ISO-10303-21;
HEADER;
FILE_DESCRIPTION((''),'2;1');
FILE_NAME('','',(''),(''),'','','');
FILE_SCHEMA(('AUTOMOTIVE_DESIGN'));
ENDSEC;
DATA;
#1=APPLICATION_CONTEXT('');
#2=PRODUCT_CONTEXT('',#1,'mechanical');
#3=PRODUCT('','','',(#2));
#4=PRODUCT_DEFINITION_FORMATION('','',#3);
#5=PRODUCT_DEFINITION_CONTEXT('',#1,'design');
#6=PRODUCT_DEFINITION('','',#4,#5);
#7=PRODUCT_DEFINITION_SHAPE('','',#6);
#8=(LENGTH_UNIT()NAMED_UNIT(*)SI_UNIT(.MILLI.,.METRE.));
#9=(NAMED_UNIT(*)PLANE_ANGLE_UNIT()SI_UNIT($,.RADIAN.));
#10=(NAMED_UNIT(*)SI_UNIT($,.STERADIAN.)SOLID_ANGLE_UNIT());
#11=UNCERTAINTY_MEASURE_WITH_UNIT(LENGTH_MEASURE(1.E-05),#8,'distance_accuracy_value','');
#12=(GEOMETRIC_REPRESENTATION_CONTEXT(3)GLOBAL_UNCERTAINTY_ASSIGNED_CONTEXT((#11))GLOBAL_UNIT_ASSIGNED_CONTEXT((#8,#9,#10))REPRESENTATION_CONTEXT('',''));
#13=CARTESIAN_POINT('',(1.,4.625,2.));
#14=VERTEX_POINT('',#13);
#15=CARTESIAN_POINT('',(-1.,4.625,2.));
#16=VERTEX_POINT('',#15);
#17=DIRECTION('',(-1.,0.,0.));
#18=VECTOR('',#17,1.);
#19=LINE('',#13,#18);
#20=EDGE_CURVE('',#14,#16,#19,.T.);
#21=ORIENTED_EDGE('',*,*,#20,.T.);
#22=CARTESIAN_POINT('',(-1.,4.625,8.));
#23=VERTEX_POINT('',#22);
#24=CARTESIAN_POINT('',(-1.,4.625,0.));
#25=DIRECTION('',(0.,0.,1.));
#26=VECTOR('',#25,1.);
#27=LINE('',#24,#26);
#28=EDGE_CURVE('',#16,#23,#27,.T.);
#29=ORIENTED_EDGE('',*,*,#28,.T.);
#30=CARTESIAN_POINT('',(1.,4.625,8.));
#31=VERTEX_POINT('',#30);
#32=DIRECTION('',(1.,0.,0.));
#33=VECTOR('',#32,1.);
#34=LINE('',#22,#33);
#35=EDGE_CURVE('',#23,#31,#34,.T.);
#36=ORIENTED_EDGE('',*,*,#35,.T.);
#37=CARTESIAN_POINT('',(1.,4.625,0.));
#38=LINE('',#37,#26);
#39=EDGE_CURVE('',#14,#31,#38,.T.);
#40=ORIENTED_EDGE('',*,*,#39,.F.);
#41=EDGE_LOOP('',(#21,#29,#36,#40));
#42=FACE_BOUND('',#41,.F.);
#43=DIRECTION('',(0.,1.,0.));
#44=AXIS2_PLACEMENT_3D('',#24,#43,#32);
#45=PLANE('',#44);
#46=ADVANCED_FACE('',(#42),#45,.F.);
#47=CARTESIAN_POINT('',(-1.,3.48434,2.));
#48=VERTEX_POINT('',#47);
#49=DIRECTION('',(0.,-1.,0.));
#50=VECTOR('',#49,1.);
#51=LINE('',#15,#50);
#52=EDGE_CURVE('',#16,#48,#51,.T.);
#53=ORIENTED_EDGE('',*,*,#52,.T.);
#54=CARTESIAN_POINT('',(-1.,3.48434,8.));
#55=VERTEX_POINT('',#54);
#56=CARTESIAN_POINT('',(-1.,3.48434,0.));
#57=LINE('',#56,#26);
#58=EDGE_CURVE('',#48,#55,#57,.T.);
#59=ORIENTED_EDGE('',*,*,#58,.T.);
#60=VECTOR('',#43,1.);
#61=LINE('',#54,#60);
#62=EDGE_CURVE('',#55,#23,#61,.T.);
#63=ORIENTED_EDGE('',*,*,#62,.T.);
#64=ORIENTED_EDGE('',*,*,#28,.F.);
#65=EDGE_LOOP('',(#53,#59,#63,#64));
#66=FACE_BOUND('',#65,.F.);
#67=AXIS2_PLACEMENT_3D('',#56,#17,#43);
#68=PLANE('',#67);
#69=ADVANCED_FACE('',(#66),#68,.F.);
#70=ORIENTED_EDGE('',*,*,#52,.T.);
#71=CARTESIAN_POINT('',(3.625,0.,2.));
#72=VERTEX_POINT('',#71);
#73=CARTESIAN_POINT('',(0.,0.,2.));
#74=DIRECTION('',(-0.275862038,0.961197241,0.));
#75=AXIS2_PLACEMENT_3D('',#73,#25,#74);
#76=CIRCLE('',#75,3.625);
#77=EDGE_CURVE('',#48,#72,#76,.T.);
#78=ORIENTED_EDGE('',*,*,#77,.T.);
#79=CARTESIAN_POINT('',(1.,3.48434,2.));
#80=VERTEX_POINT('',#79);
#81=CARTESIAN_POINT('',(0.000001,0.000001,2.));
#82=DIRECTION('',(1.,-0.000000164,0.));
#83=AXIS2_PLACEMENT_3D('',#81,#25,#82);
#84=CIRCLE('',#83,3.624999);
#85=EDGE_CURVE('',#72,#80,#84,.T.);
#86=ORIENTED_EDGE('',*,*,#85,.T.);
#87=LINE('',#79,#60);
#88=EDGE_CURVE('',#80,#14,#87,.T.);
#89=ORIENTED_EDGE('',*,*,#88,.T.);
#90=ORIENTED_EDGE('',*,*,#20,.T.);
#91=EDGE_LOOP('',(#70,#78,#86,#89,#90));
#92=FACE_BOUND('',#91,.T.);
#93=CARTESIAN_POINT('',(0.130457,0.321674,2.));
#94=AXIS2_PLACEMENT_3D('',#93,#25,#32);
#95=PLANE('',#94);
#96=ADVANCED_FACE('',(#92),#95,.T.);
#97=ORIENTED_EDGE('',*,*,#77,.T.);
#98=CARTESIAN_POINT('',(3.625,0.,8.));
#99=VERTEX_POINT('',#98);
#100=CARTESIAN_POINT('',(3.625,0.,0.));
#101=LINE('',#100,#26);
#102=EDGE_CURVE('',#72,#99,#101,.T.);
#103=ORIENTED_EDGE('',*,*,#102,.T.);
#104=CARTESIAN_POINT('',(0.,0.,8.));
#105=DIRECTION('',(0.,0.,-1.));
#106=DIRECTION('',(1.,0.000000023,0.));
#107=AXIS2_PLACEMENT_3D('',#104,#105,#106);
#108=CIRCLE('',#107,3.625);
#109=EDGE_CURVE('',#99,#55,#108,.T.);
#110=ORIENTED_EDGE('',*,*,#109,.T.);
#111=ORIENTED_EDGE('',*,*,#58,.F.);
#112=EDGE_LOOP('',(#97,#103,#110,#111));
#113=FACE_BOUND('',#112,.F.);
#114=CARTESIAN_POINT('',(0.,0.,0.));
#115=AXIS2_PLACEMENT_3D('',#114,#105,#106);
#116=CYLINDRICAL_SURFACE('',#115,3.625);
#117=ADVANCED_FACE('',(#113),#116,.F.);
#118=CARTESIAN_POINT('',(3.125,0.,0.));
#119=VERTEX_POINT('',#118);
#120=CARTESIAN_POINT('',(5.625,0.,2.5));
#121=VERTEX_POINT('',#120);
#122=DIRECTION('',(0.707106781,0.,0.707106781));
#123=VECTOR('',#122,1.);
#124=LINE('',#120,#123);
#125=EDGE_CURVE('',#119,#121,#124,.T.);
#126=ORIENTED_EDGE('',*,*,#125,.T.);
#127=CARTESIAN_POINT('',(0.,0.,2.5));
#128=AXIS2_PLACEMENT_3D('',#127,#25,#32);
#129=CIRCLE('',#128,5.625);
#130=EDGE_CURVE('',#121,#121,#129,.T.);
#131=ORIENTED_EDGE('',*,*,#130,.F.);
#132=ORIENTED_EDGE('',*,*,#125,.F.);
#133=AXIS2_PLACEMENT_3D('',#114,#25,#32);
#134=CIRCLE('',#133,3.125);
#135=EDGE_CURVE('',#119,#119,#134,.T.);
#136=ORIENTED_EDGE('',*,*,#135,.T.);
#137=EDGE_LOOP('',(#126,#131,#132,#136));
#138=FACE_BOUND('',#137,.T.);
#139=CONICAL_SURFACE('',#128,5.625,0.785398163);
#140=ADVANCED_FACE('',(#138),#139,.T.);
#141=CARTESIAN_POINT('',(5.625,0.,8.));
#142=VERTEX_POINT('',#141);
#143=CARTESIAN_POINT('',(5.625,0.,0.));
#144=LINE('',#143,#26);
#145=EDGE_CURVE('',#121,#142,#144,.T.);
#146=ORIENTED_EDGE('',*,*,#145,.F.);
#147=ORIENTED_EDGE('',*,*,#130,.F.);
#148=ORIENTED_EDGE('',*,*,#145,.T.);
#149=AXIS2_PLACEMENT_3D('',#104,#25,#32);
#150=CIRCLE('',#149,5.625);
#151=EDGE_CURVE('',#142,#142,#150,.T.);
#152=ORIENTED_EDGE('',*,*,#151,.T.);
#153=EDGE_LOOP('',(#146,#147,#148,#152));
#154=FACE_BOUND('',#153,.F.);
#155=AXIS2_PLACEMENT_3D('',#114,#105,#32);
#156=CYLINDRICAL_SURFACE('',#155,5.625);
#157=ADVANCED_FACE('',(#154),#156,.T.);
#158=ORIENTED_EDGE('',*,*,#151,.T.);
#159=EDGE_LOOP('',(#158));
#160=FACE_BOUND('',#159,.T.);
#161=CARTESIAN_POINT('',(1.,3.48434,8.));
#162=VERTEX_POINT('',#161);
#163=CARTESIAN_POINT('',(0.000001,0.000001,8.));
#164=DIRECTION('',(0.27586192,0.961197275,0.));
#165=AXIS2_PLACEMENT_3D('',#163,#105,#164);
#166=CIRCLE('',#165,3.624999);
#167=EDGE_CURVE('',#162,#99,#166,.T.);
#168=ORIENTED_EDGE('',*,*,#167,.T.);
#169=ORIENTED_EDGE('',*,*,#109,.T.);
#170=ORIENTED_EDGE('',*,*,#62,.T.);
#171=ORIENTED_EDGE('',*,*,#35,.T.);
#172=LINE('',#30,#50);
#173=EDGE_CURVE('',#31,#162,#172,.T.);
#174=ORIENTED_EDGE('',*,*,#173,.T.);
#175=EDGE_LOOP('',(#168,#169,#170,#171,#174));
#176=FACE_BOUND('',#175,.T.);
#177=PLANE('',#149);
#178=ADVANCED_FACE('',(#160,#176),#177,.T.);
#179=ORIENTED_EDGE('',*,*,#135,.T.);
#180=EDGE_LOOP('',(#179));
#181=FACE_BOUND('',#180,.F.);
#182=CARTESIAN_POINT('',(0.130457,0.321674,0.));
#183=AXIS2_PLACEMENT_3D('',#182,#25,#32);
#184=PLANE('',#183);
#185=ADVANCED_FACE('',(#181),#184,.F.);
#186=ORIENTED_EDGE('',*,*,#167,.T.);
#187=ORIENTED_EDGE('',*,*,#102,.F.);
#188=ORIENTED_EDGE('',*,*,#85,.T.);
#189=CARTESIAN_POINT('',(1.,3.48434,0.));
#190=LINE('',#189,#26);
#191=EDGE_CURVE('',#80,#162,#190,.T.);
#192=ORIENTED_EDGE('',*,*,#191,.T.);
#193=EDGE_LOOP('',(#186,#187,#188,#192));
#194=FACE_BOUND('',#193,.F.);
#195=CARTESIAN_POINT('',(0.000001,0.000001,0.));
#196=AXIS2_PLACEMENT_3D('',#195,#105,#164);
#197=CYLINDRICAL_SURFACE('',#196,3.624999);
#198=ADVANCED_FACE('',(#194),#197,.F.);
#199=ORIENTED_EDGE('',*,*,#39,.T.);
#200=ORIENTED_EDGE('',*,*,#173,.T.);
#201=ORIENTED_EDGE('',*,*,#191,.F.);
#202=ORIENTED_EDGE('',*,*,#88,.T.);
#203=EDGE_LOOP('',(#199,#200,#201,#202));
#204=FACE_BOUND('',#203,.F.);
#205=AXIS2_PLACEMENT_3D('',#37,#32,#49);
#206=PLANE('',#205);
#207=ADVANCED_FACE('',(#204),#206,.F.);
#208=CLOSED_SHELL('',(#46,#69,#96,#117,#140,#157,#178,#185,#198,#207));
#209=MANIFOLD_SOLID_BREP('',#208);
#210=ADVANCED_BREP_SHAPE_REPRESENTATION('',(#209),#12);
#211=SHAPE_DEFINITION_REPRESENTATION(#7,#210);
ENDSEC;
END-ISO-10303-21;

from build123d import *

# Parameters (mm, degrees)
F0_R     = 5.625
F1_DEPTH = 8
F2_DEPTH = 2
F3_SIZE  = 2.5


with BuildPart() as f1:
    # F0 (on Top) → F1 (new body)
    with BuildSketch(Plane.XY):
        Circle(F0_R)
        with BuildLine():
            ThreePointArc((1, 3.48434), (2.895309, 2.181241), (3.625, 0))
            ThreePointArc((3.625, 0), (-2.181241, -2.895309), (-1, 3.48434))
            Line((-1, 3.48434), (-1, 4.625))
            Line((-1, 4.625), (1, 4.625))
            Line((1, 4.625), (1, 3.48434))
        make_face(mode=Mode.SUBTRACT)
    extrude(amount=F1_DEPTH)

    # F0 (on Top) → F2 (join)
    with BuildSketch(Plane.XY):
        with BuildLine():
            ThreePointArc((-1, 3.48434), (-2.181241, -2.895309), (3.625, 0))
            ThreePointArc((3.625, 0), (2.895309, 2.181241), (1, 3.48434))
            Line((1, 3.48434), (1, 2.625))
            Line((1, 2.625), (-1, 2.625))
            Line((-1, 2.625), (-1, 3.48434))
        make_face()
        with BuildLine():
            ThreePointArc((-1, 3.48434), (0, 3.625), (1, 3.48434))
            Line((1, 3.48434), (1, 4.625))
            Line((1, 4.625), (-1, 4.625))
            Line((-1, 4.625), (-1, 3.48434))
        make_face()
        with BuildLine():
            Line((1, 2.625), (1, 3.48434))
            ThreePointArc((1, 3.48434), (0, 3.625), (-1, 3.48434))
            Line((-1, 3.48434), (-1, 2.625))
            Line((-1, 2.625), (1, 2.625))
        make_face()
    extrude(amount=F2_DEPTH)

    # F3
    f3_edges = [f1.edges().sort_by_distance(p)[0] for p in [
        (-5.625, 0, 0),
    ]]
    chamfer(f3_edges, length=F3_SIZE)


solid = f1.part
